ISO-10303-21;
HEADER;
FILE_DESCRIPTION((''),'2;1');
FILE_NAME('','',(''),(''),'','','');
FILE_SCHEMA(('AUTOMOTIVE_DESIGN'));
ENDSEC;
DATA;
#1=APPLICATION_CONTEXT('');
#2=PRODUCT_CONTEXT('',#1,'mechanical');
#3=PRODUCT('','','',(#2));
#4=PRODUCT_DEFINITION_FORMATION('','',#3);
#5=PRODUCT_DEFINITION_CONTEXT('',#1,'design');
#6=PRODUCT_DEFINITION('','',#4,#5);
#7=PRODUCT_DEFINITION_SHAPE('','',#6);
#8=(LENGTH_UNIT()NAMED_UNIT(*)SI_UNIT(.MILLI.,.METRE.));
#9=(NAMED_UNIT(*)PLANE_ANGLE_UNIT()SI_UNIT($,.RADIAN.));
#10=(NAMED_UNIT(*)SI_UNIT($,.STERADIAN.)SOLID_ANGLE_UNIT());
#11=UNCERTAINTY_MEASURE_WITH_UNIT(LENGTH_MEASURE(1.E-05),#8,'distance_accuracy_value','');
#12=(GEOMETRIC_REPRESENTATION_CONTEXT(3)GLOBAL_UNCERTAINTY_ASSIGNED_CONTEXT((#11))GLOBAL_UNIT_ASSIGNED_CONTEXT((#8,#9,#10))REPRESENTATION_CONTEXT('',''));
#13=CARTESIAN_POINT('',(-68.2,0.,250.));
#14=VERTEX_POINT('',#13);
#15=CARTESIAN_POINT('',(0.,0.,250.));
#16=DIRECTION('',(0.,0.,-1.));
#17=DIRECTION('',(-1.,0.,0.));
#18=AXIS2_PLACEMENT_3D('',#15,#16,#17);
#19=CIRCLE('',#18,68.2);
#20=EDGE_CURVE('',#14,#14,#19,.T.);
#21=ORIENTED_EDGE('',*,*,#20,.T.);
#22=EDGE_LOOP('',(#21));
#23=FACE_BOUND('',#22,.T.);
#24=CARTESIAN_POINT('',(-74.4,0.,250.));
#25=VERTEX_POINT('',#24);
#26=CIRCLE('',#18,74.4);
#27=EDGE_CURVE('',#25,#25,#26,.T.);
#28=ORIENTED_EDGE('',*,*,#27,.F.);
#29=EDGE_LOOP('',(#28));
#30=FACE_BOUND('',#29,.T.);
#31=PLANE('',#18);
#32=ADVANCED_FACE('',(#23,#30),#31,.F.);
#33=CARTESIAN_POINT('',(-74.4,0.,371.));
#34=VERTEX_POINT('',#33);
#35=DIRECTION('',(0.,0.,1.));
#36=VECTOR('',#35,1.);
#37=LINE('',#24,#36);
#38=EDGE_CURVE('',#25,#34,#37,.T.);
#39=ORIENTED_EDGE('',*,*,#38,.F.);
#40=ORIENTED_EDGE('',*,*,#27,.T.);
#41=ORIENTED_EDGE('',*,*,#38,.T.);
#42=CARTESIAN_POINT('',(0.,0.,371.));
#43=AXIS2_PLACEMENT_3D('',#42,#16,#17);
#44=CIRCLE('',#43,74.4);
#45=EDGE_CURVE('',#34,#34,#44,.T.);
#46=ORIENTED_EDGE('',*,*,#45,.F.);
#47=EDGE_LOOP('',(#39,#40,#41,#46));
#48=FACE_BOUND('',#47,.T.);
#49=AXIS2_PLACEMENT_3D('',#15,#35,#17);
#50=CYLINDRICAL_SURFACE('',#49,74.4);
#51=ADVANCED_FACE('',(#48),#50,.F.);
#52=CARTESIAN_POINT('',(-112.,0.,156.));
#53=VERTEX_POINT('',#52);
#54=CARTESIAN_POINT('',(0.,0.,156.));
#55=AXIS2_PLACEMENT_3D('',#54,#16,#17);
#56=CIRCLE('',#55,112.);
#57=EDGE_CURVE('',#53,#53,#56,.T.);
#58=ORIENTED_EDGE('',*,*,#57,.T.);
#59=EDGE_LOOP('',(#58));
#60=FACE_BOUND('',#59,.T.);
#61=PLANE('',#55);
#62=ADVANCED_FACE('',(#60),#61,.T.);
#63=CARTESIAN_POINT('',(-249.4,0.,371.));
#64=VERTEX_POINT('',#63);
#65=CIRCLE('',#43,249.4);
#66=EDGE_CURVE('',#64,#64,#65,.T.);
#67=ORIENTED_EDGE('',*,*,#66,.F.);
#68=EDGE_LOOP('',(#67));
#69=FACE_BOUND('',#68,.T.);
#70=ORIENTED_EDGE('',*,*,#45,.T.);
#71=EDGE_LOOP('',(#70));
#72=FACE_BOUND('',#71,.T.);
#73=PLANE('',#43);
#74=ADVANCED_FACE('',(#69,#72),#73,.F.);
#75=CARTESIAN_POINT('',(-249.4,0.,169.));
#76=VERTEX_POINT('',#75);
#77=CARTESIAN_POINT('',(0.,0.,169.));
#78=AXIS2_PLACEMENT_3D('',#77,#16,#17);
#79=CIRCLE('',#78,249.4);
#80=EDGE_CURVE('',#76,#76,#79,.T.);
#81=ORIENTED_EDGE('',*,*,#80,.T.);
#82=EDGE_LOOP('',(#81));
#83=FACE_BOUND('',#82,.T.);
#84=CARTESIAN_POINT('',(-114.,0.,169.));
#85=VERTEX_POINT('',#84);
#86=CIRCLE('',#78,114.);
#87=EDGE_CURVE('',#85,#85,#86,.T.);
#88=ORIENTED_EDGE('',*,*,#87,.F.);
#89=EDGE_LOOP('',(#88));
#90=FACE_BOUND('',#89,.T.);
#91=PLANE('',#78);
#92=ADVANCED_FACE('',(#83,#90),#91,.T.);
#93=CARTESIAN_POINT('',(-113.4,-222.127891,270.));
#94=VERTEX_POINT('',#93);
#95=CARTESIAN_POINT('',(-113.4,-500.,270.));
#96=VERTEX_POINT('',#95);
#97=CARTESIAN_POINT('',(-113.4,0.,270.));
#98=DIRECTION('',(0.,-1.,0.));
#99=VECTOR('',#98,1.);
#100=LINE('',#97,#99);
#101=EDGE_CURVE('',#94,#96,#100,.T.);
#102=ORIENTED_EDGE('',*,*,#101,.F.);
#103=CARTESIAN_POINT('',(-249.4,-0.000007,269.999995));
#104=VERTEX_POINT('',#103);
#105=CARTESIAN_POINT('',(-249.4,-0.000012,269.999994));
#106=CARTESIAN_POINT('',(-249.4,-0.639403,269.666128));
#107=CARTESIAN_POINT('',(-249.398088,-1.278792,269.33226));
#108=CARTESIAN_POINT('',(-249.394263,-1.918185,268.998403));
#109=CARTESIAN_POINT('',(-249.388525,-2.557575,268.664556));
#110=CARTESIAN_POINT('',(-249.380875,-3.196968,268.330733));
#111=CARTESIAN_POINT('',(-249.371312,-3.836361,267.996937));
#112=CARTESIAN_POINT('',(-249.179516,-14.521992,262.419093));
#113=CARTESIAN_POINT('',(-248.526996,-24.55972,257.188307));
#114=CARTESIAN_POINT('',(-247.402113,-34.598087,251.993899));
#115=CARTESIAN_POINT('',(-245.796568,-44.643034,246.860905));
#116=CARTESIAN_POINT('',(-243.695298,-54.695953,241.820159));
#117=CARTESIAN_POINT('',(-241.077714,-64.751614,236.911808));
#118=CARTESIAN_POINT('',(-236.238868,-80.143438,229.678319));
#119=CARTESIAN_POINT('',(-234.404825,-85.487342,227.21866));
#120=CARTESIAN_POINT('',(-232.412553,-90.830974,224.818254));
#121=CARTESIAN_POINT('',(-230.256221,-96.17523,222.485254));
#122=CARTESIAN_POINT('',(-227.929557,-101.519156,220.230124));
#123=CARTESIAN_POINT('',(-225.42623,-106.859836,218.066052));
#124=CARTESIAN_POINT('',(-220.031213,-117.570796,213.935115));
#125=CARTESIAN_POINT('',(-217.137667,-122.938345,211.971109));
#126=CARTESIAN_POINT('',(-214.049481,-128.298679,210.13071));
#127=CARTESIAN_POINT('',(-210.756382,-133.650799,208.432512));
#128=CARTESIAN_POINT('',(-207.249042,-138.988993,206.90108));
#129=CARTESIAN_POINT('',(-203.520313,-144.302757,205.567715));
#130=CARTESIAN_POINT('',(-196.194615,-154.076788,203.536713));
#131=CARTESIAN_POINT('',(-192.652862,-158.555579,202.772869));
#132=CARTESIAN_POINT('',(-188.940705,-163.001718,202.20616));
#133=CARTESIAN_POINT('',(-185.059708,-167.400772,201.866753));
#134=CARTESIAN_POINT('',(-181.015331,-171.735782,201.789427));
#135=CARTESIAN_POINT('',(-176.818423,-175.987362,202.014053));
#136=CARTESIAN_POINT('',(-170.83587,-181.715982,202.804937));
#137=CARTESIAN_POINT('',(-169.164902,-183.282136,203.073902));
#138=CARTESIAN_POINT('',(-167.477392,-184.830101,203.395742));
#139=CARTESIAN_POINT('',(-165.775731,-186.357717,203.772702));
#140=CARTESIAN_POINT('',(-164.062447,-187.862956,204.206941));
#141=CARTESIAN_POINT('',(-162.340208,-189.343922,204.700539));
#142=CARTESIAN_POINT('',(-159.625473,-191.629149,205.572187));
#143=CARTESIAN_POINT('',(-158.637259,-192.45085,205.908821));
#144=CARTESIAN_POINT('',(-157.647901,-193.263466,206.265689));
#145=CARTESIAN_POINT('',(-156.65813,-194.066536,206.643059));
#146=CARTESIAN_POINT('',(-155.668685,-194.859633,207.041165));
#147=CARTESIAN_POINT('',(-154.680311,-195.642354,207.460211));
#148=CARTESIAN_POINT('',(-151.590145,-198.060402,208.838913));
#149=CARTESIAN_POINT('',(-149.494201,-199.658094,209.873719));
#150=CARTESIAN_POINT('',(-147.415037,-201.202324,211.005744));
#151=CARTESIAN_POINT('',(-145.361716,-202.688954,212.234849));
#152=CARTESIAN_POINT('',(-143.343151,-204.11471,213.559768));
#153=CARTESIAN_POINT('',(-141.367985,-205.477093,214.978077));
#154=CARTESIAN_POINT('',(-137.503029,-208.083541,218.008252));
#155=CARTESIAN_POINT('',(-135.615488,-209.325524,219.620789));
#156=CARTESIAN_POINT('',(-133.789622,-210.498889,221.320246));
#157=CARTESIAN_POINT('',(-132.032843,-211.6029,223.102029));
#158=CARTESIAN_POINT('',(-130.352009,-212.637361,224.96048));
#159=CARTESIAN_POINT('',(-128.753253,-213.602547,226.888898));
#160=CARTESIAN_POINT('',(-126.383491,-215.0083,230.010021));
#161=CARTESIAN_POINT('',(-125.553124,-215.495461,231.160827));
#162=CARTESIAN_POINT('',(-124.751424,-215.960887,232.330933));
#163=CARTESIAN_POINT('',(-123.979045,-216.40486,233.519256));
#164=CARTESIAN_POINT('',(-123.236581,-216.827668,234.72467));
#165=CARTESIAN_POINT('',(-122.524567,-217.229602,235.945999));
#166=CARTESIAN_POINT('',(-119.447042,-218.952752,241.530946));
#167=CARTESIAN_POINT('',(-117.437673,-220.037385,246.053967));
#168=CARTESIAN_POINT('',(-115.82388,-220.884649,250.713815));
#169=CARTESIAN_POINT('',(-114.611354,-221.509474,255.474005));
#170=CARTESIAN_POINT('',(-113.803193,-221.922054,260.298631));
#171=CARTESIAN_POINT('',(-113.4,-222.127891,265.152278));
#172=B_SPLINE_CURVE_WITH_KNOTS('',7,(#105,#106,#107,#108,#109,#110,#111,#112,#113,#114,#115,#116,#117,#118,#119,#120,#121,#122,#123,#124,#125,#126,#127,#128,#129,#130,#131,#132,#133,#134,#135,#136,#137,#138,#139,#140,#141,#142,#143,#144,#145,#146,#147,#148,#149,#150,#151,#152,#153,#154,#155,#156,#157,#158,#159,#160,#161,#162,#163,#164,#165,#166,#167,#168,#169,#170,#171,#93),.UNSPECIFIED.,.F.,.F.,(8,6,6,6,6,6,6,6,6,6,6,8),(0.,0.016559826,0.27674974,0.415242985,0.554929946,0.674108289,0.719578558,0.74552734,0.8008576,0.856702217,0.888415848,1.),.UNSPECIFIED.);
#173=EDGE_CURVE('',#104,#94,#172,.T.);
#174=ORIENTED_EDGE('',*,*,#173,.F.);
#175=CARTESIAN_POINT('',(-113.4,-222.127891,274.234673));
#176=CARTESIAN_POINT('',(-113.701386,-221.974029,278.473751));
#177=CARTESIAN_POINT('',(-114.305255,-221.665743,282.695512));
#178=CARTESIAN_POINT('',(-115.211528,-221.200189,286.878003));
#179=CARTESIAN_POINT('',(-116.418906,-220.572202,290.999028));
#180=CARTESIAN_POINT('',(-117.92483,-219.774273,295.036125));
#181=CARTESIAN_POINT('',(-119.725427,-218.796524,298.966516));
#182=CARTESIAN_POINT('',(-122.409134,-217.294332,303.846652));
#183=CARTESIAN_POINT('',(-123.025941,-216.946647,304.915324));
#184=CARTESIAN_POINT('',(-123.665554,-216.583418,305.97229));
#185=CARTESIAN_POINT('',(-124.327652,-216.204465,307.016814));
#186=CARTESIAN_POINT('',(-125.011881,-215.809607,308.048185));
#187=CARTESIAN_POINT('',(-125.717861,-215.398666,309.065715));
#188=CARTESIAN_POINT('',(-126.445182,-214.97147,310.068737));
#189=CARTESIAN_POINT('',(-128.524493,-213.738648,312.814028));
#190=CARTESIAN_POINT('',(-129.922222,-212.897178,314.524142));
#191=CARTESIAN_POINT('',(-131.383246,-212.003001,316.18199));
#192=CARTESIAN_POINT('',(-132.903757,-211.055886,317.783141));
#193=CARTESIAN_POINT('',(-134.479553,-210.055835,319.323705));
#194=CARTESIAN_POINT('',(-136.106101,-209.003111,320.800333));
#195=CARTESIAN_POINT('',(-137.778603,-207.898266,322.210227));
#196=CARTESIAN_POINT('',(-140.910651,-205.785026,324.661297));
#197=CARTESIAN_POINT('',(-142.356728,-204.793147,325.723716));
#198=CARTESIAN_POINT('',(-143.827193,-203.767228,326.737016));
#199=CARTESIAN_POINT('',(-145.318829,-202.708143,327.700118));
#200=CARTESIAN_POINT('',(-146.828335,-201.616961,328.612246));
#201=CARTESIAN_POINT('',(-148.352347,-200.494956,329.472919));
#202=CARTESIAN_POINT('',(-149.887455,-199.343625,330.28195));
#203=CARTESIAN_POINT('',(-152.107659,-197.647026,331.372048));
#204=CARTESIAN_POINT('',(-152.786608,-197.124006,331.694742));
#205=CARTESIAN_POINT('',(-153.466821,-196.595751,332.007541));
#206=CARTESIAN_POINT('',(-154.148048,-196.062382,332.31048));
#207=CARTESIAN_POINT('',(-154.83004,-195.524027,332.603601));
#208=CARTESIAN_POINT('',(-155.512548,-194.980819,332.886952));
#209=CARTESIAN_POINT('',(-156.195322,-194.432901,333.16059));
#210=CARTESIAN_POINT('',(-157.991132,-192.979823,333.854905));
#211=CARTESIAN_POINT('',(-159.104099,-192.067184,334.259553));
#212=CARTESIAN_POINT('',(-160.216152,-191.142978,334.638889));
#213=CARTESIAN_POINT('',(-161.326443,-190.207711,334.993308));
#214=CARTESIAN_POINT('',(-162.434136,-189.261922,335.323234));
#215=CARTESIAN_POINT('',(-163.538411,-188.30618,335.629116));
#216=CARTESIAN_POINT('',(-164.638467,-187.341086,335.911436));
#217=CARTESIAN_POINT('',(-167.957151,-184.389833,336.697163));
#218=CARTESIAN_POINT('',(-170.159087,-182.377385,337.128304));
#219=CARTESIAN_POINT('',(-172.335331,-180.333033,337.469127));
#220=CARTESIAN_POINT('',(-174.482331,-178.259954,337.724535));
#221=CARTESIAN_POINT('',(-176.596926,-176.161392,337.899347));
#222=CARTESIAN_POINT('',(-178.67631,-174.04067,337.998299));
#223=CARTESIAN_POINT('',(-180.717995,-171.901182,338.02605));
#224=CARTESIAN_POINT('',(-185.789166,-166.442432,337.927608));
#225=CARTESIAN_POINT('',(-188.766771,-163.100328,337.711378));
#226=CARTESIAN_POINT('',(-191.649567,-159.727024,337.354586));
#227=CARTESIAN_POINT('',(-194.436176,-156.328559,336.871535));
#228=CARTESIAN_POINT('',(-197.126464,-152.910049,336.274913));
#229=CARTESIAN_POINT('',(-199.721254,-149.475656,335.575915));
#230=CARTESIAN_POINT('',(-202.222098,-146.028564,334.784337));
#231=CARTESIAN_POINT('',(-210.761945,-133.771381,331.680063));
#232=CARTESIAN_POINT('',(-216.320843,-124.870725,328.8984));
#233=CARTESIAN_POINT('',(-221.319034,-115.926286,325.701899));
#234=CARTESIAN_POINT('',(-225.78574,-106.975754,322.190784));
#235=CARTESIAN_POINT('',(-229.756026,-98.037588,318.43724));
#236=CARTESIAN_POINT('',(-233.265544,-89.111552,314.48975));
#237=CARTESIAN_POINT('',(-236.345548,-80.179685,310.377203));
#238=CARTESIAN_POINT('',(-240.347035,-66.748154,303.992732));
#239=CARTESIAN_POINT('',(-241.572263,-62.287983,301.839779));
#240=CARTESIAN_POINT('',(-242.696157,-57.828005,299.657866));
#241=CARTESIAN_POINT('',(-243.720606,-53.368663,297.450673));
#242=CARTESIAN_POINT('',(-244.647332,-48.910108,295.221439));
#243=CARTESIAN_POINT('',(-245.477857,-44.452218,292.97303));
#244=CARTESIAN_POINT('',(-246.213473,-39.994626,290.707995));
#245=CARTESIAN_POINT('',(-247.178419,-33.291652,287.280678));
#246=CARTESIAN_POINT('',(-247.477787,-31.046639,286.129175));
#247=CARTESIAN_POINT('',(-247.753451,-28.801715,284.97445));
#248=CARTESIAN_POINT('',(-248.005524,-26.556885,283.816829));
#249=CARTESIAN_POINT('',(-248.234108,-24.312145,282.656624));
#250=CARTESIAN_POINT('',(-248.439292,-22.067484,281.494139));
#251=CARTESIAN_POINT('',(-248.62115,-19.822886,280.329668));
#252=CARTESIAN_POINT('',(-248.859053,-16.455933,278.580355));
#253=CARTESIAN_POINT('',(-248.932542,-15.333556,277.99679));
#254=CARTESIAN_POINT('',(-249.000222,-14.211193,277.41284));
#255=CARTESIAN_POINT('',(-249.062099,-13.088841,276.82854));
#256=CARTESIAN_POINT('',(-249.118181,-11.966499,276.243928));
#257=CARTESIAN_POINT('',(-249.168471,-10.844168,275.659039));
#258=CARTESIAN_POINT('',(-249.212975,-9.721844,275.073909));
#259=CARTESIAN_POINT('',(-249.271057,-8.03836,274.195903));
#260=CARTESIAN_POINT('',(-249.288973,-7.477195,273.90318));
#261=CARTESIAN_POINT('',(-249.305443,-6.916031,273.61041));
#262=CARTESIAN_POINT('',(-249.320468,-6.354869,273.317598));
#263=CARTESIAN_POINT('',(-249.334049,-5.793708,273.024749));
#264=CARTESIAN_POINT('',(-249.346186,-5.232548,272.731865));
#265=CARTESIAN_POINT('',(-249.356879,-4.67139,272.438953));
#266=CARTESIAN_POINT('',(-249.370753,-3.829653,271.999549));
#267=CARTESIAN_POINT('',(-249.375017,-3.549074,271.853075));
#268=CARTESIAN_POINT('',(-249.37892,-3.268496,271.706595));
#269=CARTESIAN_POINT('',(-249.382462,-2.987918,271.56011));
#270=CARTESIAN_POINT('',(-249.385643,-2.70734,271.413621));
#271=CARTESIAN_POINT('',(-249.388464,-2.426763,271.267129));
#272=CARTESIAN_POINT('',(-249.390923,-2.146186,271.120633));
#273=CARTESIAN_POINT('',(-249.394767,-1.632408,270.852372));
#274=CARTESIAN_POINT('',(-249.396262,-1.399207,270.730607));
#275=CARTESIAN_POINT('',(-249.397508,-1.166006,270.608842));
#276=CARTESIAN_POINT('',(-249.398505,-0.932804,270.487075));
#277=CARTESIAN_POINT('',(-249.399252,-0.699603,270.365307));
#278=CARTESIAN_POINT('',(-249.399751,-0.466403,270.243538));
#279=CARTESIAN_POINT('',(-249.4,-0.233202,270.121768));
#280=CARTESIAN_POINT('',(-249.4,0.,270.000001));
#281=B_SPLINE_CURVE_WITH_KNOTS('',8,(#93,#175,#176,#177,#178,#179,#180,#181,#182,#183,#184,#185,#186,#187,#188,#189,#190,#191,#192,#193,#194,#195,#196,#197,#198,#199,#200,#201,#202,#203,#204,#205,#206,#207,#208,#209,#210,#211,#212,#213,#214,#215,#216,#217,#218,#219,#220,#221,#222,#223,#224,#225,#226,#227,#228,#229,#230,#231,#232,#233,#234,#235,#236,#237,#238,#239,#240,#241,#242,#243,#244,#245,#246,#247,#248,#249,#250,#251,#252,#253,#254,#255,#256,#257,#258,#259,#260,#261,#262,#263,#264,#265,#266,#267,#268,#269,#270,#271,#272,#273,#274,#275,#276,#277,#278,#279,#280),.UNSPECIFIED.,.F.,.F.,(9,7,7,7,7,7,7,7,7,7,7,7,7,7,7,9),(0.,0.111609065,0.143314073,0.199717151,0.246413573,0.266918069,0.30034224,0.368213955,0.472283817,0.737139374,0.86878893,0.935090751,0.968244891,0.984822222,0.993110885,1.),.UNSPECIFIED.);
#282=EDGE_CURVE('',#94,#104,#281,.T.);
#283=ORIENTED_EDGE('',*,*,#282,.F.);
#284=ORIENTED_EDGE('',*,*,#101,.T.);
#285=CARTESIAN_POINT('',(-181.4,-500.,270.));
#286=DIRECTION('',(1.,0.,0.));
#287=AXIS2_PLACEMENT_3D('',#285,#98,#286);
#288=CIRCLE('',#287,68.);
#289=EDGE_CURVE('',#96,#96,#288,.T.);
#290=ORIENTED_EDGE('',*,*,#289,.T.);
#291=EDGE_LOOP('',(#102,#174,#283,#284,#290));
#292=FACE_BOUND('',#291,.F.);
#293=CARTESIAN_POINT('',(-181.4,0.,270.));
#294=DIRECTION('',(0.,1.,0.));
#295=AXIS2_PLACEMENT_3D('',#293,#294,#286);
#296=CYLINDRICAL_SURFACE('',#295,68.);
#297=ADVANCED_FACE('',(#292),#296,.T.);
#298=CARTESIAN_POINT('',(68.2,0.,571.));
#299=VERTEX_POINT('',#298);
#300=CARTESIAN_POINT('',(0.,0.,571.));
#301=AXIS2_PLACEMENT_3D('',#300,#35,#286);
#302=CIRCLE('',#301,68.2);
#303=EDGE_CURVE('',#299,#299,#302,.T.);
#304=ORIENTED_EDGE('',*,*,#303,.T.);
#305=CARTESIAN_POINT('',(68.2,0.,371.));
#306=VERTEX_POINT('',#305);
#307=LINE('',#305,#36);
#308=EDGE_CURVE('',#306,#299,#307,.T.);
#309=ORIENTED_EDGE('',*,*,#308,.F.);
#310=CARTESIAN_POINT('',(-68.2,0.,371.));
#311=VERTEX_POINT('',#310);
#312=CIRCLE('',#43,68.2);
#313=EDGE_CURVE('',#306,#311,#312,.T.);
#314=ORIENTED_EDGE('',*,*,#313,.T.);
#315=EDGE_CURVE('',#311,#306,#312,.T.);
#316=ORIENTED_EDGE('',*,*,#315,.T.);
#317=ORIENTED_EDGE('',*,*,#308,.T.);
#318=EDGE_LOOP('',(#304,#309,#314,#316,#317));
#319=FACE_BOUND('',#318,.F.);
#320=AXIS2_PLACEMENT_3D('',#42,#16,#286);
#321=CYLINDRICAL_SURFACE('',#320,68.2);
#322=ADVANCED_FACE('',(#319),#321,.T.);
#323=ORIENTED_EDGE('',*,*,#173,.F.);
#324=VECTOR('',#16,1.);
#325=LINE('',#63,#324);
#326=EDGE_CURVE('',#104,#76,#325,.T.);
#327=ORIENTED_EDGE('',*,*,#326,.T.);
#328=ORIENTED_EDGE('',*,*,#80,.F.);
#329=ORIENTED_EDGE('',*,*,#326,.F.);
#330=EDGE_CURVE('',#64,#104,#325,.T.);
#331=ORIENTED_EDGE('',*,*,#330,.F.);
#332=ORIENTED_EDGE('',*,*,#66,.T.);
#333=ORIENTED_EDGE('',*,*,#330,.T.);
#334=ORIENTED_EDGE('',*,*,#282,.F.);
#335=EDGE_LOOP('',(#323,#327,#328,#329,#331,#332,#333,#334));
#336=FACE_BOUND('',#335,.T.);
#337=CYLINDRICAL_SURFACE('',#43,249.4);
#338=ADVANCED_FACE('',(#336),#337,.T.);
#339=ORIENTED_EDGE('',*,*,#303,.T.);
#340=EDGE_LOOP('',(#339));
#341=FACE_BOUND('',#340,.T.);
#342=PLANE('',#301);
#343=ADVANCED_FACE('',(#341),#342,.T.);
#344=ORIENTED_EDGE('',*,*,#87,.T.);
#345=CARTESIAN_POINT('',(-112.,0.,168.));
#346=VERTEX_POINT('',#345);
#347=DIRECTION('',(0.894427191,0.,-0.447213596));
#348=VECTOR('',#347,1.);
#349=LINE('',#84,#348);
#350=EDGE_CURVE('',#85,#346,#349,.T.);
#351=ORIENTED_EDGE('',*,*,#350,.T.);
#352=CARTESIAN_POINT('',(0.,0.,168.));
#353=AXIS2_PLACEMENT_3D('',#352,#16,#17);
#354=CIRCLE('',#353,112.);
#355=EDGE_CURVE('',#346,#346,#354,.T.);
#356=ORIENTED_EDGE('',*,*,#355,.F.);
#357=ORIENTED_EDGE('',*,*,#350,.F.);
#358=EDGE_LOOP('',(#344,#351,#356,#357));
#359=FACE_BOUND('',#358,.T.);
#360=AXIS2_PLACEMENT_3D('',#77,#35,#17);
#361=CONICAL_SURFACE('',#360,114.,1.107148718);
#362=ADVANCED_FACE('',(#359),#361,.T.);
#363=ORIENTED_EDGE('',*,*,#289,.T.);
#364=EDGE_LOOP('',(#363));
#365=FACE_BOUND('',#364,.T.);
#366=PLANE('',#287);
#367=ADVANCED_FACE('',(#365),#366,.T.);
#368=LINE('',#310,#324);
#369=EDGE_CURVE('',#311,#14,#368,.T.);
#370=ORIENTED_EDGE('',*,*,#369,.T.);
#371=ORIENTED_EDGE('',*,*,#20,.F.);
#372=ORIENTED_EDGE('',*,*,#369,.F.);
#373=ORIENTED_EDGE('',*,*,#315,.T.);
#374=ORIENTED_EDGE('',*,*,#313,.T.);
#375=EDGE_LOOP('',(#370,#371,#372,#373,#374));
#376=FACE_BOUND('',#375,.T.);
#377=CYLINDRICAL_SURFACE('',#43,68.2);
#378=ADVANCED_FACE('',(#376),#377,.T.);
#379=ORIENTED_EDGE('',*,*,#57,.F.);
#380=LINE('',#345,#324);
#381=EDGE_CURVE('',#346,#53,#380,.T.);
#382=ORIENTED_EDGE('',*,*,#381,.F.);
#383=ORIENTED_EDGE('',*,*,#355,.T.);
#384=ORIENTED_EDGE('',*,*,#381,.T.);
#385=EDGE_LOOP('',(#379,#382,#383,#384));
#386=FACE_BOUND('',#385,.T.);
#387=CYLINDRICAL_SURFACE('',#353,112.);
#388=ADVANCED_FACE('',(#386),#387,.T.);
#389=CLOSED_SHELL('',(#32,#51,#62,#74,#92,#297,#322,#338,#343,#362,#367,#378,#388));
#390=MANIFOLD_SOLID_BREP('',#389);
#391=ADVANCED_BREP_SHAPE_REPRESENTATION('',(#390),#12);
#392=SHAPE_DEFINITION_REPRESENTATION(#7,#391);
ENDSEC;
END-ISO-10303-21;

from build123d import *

# Parameters (mm, degrees)
F2_R      = 68
F3_DEPTH  = 500
F1_FACE_R = 68.2
F4_DEPTH  = 200


with BuildPart() as f1:
    # F0 (on Front) → F1 (revolve)
    with BuildSketch(Plane.XZ):
        Polygon((-249.4, 169), (-114, 169), (-112, 168), (-112, 156), (0, 156), (0, 371), (-68.2, 371), (-68.2, 250), (-74.4, 250), (-74.4, 371), (-249.4, 371), align=None)
    revolve(axis=Axis((0, 0, 263.5), (0, 0, -1)))

    # F2 (on Front) → F3 (join)
    with BuildSketch(Plane.XZ):
        with Locations((-181.4, 270)):
            Circle(F2_R)
    extrude(amount=F3_DEPTH)

    # F1_face (on face) → F4 (join)
    with BuildSketch(Plane.XY.offset(371)):
        Circle(F1_FACE_R)
    extrude(amount=F4_DEPTH)


solid = f1.part
